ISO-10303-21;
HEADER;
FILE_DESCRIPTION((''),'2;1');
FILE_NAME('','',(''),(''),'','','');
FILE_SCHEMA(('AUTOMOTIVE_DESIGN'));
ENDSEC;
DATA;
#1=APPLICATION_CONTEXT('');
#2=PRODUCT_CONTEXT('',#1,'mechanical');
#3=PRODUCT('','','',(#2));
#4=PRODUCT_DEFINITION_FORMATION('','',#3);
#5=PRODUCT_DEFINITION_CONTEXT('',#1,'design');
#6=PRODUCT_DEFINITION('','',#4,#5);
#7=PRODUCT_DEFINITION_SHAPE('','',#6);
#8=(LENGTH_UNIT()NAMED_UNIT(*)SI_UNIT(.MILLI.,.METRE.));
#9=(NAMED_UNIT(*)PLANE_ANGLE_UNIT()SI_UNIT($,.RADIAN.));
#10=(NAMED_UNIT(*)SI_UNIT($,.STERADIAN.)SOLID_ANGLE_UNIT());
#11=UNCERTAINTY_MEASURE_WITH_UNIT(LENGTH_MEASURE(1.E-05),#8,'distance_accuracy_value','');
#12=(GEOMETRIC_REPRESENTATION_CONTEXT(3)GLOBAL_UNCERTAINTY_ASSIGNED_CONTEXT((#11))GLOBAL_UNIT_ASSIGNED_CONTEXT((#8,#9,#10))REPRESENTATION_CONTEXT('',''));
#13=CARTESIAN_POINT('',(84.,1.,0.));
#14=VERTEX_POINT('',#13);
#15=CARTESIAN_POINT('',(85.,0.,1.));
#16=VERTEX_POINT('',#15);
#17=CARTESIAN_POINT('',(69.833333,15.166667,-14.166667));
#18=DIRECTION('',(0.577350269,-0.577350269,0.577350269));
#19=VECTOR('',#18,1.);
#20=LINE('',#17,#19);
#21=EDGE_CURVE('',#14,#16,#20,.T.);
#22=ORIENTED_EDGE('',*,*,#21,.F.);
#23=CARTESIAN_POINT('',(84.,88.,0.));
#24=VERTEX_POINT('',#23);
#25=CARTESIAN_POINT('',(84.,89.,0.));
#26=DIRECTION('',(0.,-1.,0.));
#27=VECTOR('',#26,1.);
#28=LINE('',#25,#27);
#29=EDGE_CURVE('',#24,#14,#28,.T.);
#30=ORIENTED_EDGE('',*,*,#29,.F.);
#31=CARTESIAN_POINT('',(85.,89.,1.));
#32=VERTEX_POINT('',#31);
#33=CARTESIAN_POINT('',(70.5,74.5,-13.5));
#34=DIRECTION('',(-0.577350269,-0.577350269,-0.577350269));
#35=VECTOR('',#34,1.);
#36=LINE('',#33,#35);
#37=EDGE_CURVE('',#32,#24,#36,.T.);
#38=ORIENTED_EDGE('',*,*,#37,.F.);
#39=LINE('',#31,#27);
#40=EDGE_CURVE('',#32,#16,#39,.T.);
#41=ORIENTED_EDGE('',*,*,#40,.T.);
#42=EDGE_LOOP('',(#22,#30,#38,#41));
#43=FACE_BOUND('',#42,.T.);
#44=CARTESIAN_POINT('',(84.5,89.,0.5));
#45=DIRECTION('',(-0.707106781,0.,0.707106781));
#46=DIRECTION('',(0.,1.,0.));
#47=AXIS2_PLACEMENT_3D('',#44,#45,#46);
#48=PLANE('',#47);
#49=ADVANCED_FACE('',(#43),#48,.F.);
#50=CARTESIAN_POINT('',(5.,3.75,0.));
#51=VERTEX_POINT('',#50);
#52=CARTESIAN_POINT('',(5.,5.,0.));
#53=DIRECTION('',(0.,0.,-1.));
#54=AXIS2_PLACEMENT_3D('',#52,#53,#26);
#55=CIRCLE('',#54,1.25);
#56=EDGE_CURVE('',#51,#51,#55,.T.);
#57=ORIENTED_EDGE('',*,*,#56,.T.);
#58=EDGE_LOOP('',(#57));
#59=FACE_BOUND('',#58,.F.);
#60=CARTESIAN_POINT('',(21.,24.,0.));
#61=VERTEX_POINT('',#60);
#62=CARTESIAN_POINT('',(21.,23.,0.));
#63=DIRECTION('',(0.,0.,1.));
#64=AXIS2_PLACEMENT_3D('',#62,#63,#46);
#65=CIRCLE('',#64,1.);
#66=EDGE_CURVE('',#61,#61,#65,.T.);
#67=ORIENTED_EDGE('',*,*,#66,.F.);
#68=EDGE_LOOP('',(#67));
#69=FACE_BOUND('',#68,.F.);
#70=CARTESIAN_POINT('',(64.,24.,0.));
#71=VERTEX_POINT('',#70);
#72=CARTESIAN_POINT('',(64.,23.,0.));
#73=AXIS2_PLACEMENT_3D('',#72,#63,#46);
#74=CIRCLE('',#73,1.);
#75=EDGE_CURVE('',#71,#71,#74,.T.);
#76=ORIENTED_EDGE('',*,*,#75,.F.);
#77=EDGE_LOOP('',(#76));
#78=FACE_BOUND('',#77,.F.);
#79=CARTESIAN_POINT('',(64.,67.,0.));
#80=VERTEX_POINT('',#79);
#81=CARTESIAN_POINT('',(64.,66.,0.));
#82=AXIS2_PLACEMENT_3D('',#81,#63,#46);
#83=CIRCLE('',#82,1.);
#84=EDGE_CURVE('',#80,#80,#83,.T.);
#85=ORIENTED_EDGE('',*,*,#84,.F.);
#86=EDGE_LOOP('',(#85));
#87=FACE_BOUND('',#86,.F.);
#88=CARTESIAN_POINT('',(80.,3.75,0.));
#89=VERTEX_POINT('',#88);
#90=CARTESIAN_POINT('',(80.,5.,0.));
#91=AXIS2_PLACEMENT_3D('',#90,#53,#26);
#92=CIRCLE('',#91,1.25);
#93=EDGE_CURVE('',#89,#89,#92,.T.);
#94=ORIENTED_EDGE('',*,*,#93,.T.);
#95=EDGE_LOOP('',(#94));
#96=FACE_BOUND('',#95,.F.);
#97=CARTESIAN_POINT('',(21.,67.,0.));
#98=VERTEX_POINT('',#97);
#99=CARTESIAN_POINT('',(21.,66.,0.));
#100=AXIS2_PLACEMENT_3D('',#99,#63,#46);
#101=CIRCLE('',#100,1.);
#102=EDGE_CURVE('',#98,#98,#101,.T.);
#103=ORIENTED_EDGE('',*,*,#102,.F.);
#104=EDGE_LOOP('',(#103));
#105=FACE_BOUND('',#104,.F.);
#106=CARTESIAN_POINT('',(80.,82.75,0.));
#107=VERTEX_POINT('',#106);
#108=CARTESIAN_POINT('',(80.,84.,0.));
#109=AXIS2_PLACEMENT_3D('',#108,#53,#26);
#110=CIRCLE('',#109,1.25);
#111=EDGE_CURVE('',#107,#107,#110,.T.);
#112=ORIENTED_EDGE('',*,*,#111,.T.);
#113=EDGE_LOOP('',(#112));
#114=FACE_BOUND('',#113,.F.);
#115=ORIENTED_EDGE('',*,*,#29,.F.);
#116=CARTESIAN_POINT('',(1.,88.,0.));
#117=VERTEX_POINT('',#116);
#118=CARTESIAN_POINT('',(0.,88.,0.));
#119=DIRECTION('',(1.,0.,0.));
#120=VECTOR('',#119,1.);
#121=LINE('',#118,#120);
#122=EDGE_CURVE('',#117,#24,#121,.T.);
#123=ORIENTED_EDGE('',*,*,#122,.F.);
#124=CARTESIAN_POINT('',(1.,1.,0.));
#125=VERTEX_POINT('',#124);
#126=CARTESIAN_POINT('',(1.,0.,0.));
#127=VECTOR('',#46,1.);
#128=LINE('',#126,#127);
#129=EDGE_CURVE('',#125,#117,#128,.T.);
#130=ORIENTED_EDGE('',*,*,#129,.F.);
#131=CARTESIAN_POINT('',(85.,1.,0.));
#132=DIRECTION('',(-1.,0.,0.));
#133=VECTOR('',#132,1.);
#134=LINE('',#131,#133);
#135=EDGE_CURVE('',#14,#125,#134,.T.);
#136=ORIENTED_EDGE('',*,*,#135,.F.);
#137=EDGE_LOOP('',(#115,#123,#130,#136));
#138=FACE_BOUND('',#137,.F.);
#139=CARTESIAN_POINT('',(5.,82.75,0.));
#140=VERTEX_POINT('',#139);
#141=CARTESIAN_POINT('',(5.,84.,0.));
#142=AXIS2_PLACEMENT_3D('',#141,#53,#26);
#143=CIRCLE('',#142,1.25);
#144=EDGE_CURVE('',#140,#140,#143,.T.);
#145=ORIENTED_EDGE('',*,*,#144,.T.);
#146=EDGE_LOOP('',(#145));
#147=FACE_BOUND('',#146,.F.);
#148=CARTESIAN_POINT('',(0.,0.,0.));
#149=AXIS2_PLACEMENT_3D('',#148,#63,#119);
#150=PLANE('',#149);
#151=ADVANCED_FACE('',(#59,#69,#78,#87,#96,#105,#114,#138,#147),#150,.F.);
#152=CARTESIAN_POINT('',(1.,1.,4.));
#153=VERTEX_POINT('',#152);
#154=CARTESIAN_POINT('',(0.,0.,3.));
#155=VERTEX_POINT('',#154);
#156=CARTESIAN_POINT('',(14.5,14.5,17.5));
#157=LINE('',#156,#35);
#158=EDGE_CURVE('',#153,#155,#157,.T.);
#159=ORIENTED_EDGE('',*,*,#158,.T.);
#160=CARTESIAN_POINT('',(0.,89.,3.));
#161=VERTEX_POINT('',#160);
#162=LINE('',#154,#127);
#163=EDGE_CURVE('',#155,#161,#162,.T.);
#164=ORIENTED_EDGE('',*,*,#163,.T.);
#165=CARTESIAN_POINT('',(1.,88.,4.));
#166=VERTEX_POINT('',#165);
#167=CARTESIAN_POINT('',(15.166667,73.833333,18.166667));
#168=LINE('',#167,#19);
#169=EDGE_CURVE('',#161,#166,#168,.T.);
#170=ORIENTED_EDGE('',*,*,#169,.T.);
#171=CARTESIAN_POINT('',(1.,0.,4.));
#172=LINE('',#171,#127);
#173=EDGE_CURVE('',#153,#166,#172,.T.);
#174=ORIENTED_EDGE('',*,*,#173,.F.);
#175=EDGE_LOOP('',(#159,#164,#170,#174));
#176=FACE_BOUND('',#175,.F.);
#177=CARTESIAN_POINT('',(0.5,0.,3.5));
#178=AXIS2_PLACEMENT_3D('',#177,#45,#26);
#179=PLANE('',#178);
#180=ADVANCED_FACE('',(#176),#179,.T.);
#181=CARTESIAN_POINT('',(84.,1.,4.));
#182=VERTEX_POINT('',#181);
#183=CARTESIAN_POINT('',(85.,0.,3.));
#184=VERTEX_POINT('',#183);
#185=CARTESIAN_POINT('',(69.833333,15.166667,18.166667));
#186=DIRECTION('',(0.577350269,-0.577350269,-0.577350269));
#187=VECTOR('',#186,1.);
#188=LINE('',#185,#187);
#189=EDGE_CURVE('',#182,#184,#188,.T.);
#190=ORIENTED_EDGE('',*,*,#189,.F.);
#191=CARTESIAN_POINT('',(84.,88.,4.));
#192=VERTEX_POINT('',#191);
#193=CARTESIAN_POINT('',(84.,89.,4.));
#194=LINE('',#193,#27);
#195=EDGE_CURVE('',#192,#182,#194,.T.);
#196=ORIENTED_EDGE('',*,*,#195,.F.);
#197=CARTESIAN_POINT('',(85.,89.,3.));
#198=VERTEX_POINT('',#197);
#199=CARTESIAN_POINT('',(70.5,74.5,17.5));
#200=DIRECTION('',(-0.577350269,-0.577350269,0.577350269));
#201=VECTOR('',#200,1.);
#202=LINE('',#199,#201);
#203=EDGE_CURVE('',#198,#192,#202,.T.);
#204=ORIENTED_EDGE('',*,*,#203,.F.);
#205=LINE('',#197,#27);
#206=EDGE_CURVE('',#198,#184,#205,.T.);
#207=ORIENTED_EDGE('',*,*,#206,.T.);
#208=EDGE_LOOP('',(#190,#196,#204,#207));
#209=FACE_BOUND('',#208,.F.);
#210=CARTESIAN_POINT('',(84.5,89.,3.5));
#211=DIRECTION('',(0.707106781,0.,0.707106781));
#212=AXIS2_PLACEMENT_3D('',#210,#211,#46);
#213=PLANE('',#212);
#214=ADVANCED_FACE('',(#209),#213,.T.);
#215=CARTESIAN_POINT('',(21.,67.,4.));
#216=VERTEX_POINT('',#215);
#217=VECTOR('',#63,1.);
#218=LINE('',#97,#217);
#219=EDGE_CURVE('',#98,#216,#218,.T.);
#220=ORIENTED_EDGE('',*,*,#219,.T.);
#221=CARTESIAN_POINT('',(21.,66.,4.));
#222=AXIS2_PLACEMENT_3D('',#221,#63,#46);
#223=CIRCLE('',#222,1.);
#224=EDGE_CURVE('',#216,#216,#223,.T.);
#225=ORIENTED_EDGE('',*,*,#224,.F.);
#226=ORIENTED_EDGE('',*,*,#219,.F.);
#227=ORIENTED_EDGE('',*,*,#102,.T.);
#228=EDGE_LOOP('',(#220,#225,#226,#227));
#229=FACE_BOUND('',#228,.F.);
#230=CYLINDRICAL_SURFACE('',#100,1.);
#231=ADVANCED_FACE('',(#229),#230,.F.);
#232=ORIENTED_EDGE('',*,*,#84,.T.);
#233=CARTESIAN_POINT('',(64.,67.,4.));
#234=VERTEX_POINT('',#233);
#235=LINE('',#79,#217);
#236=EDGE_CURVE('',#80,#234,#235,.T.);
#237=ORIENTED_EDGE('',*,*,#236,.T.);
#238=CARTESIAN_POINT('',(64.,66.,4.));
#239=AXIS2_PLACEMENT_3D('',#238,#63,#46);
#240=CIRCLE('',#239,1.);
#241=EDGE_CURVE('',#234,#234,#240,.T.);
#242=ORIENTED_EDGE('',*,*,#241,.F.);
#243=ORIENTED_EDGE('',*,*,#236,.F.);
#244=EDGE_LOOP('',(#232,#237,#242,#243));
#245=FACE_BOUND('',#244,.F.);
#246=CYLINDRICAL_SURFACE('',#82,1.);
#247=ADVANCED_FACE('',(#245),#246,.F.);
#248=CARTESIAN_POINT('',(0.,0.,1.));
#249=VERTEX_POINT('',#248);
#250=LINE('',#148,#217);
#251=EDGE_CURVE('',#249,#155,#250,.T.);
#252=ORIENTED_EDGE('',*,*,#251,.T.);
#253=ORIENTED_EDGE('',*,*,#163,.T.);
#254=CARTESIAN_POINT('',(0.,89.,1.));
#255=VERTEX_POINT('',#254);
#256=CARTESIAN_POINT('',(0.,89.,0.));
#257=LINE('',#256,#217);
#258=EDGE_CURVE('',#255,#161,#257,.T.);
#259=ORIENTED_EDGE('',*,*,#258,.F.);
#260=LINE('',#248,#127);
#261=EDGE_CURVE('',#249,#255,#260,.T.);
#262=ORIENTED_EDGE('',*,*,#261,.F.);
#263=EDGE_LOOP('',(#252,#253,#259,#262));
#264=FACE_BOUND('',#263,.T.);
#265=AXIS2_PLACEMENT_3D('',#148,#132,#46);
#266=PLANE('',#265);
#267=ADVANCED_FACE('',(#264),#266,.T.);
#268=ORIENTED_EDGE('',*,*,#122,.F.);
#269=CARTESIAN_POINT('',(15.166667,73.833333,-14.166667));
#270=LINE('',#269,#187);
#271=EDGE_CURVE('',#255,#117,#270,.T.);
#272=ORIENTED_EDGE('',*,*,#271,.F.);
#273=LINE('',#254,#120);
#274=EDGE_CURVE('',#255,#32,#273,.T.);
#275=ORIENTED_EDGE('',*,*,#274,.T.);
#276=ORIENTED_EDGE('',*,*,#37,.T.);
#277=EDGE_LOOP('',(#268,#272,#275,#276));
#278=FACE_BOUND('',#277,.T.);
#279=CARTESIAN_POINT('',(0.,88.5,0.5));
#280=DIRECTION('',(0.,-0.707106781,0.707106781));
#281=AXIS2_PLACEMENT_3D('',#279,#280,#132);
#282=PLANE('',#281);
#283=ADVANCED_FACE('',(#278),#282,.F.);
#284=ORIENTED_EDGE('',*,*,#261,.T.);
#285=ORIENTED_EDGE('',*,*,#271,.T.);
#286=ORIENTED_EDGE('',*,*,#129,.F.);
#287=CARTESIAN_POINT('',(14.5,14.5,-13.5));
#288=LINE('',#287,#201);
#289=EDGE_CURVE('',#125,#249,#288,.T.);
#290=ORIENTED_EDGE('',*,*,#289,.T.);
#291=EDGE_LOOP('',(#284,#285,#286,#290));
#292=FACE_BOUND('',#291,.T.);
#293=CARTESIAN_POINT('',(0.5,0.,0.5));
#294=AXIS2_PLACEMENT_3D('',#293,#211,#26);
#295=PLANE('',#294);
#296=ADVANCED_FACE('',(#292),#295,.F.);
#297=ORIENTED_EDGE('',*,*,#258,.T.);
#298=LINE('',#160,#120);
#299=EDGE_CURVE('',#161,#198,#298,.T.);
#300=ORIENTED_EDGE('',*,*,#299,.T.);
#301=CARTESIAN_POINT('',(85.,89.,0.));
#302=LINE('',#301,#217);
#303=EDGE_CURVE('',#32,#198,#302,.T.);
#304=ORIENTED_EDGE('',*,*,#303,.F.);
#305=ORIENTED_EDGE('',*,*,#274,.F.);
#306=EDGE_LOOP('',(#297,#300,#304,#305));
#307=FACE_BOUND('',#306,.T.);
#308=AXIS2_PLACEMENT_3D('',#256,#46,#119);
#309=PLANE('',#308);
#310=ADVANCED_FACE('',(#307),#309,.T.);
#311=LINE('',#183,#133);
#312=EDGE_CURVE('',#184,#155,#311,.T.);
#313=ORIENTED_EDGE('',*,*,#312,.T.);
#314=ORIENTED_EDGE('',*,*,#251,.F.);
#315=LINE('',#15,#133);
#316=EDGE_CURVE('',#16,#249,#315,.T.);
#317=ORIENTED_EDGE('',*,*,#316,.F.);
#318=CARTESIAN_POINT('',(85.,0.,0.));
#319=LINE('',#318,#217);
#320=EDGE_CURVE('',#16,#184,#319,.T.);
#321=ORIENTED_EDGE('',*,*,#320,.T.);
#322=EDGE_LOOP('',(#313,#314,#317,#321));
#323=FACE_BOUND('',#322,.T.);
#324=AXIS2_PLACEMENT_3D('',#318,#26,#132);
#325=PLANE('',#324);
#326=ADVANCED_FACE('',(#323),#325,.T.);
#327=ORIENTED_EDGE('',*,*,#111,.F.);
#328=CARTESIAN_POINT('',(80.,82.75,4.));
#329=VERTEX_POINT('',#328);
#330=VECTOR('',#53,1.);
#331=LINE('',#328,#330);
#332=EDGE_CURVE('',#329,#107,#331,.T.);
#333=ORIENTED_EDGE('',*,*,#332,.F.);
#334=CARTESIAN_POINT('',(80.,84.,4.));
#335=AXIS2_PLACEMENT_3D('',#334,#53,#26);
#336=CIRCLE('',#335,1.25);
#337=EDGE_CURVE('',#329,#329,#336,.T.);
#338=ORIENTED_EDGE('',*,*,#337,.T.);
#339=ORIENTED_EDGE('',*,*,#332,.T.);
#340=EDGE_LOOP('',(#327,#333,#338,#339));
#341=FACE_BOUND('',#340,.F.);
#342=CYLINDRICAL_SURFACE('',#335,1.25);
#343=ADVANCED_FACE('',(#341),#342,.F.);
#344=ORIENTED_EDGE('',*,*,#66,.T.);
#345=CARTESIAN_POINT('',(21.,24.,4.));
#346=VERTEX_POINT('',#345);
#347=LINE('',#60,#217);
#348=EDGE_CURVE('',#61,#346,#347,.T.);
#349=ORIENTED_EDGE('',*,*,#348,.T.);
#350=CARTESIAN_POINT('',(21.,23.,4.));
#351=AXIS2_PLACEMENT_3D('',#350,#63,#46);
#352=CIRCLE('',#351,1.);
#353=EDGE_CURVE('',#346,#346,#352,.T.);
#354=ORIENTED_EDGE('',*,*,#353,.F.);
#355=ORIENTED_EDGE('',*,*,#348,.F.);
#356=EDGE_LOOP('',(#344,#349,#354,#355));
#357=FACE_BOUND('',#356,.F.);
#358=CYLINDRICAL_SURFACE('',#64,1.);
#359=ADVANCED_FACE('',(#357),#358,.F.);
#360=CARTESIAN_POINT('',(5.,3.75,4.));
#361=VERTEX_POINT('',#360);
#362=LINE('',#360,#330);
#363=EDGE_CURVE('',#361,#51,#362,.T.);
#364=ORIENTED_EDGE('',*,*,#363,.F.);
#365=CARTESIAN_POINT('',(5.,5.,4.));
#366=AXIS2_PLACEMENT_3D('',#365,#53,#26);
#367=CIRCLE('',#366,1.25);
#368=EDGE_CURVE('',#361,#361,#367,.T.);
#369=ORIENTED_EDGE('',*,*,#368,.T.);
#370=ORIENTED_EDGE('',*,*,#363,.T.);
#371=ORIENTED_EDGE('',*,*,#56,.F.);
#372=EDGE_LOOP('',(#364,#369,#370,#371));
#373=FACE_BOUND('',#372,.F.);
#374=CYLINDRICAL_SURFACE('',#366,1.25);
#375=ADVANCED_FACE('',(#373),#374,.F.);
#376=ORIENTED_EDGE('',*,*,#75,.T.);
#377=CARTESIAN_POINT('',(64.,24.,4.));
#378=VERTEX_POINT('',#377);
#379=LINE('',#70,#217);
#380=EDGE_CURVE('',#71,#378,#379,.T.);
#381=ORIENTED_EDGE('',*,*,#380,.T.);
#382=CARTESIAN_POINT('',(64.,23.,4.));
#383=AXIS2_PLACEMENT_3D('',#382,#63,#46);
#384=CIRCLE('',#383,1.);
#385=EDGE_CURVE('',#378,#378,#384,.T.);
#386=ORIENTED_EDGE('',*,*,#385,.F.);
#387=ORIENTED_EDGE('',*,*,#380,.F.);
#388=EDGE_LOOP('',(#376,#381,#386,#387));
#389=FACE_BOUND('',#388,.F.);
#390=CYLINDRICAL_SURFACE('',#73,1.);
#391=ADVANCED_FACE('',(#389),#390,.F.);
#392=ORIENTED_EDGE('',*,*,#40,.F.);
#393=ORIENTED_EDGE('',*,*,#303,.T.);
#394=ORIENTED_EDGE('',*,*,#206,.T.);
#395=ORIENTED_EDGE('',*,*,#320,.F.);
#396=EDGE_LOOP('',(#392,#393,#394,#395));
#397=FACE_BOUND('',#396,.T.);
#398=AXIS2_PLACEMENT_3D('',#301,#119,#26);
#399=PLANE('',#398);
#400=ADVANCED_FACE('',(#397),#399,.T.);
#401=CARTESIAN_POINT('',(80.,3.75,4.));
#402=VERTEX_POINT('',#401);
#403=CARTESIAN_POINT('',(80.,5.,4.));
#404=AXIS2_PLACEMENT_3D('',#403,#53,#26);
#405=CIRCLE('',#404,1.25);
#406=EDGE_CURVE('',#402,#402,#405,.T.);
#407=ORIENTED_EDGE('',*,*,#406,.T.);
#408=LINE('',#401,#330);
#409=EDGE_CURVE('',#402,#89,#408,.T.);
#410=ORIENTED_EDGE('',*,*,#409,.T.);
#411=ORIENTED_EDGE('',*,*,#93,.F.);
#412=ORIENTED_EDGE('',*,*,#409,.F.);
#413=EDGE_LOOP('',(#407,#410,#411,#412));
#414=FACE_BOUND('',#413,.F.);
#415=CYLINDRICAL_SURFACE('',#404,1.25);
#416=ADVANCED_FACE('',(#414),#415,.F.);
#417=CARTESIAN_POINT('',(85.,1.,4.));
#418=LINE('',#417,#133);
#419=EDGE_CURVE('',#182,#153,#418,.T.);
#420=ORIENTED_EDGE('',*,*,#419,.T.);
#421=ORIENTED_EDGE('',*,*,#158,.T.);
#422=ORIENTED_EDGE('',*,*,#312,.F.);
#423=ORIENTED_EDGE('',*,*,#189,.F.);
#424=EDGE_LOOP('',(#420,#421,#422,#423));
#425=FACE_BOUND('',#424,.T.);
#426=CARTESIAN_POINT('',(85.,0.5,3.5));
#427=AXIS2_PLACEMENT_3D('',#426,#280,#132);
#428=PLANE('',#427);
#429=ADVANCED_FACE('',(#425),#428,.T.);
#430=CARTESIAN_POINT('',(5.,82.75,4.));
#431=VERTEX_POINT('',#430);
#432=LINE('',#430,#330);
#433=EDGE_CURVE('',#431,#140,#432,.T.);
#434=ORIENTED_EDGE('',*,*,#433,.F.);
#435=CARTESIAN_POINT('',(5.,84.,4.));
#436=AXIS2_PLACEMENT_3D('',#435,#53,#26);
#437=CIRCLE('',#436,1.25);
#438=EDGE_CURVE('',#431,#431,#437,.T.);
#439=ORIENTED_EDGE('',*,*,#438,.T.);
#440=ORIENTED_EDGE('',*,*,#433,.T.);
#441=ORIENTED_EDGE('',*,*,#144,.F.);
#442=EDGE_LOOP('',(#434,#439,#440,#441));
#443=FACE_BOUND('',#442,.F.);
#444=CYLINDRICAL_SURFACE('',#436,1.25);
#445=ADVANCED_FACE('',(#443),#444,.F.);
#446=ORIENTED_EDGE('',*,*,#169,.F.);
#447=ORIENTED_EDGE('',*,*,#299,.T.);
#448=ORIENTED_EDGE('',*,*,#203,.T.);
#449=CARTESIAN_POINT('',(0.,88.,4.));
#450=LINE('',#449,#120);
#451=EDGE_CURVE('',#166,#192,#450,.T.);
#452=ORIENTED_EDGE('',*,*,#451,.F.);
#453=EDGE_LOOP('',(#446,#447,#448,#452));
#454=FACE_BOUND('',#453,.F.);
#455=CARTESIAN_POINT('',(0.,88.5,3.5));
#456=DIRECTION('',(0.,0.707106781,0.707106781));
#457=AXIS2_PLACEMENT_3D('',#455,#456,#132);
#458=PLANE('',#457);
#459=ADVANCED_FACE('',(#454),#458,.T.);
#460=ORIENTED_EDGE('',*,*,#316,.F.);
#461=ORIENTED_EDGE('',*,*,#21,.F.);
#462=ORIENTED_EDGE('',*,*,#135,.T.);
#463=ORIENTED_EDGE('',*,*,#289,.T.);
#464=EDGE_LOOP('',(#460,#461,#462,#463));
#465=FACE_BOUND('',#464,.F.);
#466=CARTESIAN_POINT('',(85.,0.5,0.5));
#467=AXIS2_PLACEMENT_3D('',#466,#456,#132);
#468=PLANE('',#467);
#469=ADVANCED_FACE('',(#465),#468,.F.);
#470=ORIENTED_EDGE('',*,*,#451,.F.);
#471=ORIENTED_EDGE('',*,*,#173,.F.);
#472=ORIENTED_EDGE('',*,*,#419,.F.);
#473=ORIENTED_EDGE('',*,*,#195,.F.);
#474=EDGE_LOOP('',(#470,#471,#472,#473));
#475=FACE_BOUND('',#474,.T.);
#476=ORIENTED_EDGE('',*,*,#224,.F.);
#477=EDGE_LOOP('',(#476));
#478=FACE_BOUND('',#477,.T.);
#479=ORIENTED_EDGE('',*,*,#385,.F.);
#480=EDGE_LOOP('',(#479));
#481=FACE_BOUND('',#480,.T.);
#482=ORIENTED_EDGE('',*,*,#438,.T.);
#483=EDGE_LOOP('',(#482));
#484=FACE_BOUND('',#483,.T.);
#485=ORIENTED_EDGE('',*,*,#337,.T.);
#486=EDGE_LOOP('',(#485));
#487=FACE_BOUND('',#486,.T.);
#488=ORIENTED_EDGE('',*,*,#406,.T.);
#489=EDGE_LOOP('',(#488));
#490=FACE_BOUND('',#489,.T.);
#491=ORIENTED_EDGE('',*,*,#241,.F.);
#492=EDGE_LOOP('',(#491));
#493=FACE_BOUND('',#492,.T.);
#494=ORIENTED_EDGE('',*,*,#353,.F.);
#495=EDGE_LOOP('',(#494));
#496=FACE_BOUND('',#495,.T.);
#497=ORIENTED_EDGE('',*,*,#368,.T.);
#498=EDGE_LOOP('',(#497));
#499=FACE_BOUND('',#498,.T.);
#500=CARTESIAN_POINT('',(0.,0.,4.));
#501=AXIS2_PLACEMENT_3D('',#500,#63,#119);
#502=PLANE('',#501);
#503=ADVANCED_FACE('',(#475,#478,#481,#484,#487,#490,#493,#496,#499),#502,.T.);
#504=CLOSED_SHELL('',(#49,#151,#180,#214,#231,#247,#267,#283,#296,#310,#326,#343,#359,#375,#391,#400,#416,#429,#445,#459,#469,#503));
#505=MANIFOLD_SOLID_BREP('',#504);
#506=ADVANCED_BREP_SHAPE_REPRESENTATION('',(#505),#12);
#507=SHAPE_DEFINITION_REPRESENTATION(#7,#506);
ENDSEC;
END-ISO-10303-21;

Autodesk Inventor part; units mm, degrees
ref_plane "YZ Plane" through (0, 0, 0) normal (1, 0, 0) x (0, 1, 0)
ref_plane "XZ Plane" through (0, 0, 0) normal (0, 1, 0) x (-1, 0, 0)
ref_plane "XY Plane" through (0, 0, 0) normal (0, 0, 1) x (1, 0, 0)
sketch "Esquisse1" plane through (0, 0, 0) normal (0, 0, 1) x (1, 0, 0)
  line L0 (0, 89) -> (85, 89)
  line L1 (85, 89) -> (85, 0)
  line L2 (85, 0) -> (0, 0)
  line L3 (0, 0) -> (0, 89)
  line L4 (-17.3397, 0) -> (102.0566, 0) projected
  line L5 (0, -18.665) -> (0, 106.9442) projected
  point P0 (0, 0)
  dimension "d0" = 85
  dimension "d1" = 89
extrude "Extrusion1" add sketch "Esquisse1" along normal blind 4
sketch "Esquisse2" plane through (0, 0, 4) normal (0, 0, 1) x (1, 0, 0)
  line L0 (85, 0) -> (85, 89) projected
  line L1 (0, 89) -> (0, 0) projected
  line L2 (85, 89) -> (0, 89) projected
  line L3 (0, 0) -> (85, 0) projected
  point P0 (5, 84)
  point P1 (80, 84)
  point P2 (80, 5)
  point P3 (5, 5)
  dimension "d16" = 75
  dimension "d17" = 75
  dimension "d18" = 79
  dimension "d19" = 79
  dimension "d20" = 5
  dimension "d21" = 5
  dimension "d22" = 5
  dimension "d23" = 5
hole "Perçage1" at (5, 84, 4) at (80, 84, 4) at (80, 5, 4) at (5, 5, 4) direction (0, 0, -1) diameter 2.5 end through all
sketch "Esquisse3" plane through (0, 0, 0) normal (0, 0, -1) x (-1, 0, 0)
  line L0 (0, 0) -> (0, 89) projected
  line L1 (0, 89) -> (-85, 89) projected
  point P0 (-21, 66)
  point P1 (-21, 23)
  point P2 (-64, 23)
  point P3 (-64, 66)
  dimension "d32" = 43
  dimension "d33" = 43
  dimension "d34" = 43
  dimension "d35" = 43
  dimension "d36" = 21
  dimension "d44" = 21
  dimension "d45" = 23
  dimension "d46" = 23
hole "Perçage2" at (21, 66, 0) at (21, 23, 0) at (64, 23, 0) at (64, 66, 0) direction (0, 0, 1) diameter 2 end through all
chamfer "Chanfrein1" distance 1 angle 45 8 edges at (42.5, 0, 0) (42.5, 0, 4) (85, 44.5, 0) (42.5, 89, 0) (0, 44.5, 0) (0, 44.5, 4) (85, 44.5, 4) (42.5, 89, 4)
equation "\"d17\" = d16"
equation "\"d19\" = d18"
equation "\"d21\" = d20"
equation "\"d22\" = d21"
equation "\"d23\" = d20"
equation "\"d33\" = d32"
equation "\"d34\" = d33"
equation "\"d35\" = d33"
equation "\"d44\" = d36"
equation "\"d46\" = d45"
properties part number "support lidar"
